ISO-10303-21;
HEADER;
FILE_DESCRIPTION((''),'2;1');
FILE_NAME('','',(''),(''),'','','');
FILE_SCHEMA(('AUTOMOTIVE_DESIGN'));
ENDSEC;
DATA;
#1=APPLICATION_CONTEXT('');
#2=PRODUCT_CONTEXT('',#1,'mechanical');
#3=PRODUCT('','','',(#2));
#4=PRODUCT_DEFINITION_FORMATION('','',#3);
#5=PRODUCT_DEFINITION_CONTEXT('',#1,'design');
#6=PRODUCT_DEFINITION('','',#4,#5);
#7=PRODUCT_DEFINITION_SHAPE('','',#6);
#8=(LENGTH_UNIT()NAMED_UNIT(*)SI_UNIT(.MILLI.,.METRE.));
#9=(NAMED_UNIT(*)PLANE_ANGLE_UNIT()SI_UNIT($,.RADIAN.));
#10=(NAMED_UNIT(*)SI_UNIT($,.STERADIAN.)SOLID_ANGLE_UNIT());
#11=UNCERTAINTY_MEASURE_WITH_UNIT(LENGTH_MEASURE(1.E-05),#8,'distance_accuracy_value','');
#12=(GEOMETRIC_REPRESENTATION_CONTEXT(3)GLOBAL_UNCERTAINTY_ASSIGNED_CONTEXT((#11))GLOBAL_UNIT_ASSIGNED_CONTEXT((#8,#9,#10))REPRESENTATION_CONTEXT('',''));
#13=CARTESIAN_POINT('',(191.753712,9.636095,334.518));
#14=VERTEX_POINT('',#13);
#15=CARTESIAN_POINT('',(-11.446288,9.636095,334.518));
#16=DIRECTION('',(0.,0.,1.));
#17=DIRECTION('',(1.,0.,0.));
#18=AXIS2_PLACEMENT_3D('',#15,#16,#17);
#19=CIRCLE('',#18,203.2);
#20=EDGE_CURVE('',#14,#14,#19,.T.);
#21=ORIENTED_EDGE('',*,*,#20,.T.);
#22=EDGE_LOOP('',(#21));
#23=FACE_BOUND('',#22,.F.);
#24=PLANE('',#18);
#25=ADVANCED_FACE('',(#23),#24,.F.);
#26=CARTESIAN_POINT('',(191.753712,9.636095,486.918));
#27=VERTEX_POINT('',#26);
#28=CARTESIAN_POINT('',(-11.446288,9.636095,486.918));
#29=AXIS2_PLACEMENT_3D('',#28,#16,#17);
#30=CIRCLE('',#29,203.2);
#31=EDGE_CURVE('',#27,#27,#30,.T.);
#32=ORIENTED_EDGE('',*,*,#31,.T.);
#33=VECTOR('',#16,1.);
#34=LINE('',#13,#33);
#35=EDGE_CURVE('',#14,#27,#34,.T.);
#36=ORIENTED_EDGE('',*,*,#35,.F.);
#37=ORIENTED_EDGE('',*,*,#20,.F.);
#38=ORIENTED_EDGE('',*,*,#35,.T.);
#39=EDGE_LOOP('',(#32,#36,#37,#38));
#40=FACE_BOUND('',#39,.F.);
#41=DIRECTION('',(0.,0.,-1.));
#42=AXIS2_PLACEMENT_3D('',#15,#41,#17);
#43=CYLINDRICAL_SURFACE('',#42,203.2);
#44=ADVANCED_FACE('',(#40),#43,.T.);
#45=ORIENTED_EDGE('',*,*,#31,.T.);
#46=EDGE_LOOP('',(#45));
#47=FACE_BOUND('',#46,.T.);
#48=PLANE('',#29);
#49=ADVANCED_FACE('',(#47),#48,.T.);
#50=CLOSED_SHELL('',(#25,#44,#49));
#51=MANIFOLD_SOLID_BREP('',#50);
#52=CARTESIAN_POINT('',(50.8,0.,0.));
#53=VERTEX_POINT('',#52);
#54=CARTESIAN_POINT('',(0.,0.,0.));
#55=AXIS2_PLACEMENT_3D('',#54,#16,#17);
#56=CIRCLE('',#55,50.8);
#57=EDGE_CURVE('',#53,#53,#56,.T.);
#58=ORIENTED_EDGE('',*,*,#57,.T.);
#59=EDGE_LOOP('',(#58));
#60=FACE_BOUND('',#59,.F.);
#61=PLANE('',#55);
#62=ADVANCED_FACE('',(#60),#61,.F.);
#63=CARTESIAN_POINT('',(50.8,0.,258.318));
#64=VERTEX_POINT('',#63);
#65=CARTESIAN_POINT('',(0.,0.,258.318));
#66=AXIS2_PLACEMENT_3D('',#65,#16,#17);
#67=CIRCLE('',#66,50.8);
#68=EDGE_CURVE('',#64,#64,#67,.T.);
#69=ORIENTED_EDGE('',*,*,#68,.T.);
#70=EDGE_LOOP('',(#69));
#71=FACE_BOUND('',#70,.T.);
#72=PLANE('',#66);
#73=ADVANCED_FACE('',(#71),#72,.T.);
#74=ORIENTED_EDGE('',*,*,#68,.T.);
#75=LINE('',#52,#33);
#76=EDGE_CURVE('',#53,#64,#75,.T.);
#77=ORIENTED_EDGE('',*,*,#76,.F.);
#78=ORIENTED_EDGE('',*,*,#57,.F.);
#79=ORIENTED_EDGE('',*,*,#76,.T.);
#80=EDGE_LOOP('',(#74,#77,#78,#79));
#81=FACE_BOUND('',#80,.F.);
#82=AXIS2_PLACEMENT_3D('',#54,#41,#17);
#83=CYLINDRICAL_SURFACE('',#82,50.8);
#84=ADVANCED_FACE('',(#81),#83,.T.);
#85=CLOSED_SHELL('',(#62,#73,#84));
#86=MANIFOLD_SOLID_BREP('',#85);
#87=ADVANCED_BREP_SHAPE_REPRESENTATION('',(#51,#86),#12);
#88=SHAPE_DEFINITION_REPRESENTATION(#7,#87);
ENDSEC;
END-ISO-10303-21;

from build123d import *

# Parameters (mm, degrees)
F0_R     = 50.8
F1_DEPTH = 258.318
F3_R     = 203.2
F4_DEPTH = 152.4


with BuildPart() as f1:
    # F0 (on Top) → F1 (new body)
    with BuildSketch(Plane.XY):
        Circle(F0_R)
    extrude(amount=F1_DEPTH)


with BuildPart() as f4:
    # F3 (on offset) → F4 (new body)
    with BuildSketch(Plane.XY.offset(334.518)):
        with Locations((-11.446288, 9.636095)):
            Circle(F3_R)
    extrude(amount=F4_DEPTH)


solid = Compound([f1.part, f4.part])
